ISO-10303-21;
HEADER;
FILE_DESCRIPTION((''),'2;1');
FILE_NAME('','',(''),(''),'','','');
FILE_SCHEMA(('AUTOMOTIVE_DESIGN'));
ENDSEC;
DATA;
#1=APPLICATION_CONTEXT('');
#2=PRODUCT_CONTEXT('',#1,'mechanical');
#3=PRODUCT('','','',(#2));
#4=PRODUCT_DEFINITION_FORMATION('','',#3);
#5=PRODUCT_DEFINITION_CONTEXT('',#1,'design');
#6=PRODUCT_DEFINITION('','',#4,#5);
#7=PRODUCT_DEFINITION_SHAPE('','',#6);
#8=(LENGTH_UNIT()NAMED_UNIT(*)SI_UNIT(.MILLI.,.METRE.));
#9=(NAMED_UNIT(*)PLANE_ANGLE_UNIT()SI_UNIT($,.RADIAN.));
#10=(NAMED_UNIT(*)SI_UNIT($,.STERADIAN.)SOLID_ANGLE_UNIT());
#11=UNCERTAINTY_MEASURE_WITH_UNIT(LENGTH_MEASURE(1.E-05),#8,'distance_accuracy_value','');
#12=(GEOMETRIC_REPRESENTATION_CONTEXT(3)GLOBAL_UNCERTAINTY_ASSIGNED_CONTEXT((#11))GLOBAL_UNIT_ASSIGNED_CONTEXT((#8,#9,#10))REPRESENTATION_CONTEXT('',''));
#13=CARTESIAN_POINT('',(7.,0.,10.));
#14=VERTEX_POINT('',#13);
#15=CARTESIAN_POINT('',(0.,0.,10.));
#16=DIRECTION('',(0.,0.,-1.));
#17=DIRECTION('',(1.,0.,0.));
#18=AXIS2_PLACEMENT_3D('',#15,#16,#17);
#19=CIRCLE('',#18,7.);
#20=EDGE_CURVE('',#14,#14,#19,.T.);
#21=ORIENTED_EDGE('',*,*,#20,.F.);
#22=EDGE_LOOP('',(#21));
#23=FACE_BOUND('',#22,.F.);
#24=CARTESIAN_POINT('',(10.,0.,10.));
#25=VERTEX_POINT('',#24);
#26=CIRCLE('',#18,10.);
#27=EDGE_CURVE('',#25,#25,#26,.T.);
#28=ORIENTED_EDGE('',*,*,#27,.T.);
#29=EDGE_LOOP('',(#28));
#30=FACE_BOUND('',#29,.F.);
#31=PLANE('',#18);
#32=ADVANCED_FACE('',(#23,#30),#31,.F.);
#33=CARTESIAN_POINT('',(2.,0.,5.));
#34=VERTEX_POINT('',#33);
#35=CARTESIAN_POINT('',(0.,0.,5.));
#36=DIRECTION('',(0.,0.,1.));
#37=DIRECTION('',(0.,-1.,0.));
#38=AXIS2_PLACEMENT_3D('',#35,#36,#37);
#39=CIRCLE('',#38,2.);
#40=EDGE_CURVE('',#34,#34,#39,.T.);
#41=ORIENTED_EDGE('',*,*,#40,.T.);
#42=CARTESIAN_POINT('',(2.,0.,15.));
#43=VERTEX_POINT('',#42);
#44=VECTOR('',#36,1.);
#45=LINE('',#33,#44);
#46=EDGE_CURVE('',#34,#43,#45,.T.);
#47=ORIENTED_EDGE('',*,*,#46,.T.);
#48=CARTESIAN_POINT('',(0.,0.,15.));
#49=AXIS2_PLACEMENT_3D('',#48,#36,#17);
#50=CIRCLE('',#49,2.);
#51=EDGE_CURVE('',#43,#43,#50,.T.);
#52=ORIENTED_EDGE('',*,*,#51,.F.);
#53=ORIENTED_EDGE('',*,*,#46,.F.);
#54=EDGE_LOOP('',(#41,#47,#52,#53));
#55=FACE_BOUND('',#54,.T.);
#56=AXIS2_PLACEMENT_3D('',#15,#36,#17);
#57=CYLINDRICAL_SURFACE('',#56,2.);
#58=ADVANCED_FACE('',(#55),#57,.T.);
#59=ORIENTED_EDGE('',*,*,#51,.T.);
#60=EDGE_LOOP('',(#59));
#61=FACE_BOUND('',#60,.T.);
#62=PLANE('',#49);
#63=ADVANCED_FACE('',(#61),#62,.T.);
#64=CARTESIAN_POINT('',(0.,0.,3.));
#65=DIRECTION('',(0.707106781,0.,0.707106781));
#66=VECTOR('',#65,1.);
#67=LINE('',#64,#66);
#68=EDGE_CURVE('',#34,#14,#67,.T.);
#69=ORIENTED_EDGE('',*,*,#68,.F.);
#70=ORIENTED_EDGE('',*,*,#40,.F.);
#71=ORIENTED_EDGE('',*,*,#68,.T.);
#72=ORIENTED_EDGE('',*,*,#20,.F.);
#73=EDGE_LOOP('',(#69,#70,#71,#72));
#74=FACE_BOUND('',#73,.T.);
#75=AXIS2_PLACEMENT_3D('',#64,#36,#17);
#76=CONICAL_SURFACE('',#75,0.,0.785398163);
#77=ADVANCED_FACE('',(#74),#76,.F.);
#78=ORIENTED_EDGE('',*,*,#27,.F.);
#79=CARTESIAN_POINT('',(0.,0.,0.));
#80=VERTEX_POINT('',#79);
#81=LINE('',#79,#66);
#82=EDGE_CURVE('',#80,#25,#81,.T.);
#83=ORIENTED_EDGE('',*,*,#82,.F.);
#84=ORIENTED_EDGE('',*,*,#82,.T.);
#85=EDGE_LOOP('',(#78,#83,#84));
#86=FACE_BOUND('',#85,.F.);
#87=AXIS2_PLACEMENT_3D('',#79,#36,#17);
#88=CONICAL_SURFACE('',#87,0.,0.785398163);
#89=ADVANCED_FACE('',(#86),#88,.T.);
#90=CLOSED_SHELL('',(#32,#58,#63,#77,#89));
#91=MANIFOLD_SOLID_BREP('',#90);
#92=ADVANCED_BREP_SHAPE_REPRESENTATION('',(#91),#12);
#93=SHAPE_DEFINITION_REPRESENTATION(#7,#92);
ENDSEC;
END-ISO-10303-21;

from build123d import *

# Parameters (mm, degrees)
F4_R          = 2
F5_DEPTH      = 5
F5_DEPTH_BACK = 8


with BuildPart() as f1:
    # F0 (on Front) → F1 (revolve)
    with BuildSketch(Plane.XZ):
        Polygon((0, 10), (0, 0), (10, 10), align=None)
    revolve(axis=Axis((0, 0, 5), (0, 0, -1)))

    # F2 (on Front) → F3 (revolve, cut)
    with BuildSketch(Plane.XZ):
        Polygon((7, 10), (0, 10), (0, 3), align=None)
    revolve(axis=Axis((0, 0, 6.5), (0, 0, -1)), mode=Mode.SUBTRACT)

    # F4 (on face) → F5 (join, two sides)
    with BuildSketch(Plane.XY.offset(10)) as f5_sk:
        Circle(F4_R)
    extrude(amount=F5_DEPTH)
    extrude(f5_sk.sketch, amount=-F5_DEPTH_BACK)


solid = f1.part
